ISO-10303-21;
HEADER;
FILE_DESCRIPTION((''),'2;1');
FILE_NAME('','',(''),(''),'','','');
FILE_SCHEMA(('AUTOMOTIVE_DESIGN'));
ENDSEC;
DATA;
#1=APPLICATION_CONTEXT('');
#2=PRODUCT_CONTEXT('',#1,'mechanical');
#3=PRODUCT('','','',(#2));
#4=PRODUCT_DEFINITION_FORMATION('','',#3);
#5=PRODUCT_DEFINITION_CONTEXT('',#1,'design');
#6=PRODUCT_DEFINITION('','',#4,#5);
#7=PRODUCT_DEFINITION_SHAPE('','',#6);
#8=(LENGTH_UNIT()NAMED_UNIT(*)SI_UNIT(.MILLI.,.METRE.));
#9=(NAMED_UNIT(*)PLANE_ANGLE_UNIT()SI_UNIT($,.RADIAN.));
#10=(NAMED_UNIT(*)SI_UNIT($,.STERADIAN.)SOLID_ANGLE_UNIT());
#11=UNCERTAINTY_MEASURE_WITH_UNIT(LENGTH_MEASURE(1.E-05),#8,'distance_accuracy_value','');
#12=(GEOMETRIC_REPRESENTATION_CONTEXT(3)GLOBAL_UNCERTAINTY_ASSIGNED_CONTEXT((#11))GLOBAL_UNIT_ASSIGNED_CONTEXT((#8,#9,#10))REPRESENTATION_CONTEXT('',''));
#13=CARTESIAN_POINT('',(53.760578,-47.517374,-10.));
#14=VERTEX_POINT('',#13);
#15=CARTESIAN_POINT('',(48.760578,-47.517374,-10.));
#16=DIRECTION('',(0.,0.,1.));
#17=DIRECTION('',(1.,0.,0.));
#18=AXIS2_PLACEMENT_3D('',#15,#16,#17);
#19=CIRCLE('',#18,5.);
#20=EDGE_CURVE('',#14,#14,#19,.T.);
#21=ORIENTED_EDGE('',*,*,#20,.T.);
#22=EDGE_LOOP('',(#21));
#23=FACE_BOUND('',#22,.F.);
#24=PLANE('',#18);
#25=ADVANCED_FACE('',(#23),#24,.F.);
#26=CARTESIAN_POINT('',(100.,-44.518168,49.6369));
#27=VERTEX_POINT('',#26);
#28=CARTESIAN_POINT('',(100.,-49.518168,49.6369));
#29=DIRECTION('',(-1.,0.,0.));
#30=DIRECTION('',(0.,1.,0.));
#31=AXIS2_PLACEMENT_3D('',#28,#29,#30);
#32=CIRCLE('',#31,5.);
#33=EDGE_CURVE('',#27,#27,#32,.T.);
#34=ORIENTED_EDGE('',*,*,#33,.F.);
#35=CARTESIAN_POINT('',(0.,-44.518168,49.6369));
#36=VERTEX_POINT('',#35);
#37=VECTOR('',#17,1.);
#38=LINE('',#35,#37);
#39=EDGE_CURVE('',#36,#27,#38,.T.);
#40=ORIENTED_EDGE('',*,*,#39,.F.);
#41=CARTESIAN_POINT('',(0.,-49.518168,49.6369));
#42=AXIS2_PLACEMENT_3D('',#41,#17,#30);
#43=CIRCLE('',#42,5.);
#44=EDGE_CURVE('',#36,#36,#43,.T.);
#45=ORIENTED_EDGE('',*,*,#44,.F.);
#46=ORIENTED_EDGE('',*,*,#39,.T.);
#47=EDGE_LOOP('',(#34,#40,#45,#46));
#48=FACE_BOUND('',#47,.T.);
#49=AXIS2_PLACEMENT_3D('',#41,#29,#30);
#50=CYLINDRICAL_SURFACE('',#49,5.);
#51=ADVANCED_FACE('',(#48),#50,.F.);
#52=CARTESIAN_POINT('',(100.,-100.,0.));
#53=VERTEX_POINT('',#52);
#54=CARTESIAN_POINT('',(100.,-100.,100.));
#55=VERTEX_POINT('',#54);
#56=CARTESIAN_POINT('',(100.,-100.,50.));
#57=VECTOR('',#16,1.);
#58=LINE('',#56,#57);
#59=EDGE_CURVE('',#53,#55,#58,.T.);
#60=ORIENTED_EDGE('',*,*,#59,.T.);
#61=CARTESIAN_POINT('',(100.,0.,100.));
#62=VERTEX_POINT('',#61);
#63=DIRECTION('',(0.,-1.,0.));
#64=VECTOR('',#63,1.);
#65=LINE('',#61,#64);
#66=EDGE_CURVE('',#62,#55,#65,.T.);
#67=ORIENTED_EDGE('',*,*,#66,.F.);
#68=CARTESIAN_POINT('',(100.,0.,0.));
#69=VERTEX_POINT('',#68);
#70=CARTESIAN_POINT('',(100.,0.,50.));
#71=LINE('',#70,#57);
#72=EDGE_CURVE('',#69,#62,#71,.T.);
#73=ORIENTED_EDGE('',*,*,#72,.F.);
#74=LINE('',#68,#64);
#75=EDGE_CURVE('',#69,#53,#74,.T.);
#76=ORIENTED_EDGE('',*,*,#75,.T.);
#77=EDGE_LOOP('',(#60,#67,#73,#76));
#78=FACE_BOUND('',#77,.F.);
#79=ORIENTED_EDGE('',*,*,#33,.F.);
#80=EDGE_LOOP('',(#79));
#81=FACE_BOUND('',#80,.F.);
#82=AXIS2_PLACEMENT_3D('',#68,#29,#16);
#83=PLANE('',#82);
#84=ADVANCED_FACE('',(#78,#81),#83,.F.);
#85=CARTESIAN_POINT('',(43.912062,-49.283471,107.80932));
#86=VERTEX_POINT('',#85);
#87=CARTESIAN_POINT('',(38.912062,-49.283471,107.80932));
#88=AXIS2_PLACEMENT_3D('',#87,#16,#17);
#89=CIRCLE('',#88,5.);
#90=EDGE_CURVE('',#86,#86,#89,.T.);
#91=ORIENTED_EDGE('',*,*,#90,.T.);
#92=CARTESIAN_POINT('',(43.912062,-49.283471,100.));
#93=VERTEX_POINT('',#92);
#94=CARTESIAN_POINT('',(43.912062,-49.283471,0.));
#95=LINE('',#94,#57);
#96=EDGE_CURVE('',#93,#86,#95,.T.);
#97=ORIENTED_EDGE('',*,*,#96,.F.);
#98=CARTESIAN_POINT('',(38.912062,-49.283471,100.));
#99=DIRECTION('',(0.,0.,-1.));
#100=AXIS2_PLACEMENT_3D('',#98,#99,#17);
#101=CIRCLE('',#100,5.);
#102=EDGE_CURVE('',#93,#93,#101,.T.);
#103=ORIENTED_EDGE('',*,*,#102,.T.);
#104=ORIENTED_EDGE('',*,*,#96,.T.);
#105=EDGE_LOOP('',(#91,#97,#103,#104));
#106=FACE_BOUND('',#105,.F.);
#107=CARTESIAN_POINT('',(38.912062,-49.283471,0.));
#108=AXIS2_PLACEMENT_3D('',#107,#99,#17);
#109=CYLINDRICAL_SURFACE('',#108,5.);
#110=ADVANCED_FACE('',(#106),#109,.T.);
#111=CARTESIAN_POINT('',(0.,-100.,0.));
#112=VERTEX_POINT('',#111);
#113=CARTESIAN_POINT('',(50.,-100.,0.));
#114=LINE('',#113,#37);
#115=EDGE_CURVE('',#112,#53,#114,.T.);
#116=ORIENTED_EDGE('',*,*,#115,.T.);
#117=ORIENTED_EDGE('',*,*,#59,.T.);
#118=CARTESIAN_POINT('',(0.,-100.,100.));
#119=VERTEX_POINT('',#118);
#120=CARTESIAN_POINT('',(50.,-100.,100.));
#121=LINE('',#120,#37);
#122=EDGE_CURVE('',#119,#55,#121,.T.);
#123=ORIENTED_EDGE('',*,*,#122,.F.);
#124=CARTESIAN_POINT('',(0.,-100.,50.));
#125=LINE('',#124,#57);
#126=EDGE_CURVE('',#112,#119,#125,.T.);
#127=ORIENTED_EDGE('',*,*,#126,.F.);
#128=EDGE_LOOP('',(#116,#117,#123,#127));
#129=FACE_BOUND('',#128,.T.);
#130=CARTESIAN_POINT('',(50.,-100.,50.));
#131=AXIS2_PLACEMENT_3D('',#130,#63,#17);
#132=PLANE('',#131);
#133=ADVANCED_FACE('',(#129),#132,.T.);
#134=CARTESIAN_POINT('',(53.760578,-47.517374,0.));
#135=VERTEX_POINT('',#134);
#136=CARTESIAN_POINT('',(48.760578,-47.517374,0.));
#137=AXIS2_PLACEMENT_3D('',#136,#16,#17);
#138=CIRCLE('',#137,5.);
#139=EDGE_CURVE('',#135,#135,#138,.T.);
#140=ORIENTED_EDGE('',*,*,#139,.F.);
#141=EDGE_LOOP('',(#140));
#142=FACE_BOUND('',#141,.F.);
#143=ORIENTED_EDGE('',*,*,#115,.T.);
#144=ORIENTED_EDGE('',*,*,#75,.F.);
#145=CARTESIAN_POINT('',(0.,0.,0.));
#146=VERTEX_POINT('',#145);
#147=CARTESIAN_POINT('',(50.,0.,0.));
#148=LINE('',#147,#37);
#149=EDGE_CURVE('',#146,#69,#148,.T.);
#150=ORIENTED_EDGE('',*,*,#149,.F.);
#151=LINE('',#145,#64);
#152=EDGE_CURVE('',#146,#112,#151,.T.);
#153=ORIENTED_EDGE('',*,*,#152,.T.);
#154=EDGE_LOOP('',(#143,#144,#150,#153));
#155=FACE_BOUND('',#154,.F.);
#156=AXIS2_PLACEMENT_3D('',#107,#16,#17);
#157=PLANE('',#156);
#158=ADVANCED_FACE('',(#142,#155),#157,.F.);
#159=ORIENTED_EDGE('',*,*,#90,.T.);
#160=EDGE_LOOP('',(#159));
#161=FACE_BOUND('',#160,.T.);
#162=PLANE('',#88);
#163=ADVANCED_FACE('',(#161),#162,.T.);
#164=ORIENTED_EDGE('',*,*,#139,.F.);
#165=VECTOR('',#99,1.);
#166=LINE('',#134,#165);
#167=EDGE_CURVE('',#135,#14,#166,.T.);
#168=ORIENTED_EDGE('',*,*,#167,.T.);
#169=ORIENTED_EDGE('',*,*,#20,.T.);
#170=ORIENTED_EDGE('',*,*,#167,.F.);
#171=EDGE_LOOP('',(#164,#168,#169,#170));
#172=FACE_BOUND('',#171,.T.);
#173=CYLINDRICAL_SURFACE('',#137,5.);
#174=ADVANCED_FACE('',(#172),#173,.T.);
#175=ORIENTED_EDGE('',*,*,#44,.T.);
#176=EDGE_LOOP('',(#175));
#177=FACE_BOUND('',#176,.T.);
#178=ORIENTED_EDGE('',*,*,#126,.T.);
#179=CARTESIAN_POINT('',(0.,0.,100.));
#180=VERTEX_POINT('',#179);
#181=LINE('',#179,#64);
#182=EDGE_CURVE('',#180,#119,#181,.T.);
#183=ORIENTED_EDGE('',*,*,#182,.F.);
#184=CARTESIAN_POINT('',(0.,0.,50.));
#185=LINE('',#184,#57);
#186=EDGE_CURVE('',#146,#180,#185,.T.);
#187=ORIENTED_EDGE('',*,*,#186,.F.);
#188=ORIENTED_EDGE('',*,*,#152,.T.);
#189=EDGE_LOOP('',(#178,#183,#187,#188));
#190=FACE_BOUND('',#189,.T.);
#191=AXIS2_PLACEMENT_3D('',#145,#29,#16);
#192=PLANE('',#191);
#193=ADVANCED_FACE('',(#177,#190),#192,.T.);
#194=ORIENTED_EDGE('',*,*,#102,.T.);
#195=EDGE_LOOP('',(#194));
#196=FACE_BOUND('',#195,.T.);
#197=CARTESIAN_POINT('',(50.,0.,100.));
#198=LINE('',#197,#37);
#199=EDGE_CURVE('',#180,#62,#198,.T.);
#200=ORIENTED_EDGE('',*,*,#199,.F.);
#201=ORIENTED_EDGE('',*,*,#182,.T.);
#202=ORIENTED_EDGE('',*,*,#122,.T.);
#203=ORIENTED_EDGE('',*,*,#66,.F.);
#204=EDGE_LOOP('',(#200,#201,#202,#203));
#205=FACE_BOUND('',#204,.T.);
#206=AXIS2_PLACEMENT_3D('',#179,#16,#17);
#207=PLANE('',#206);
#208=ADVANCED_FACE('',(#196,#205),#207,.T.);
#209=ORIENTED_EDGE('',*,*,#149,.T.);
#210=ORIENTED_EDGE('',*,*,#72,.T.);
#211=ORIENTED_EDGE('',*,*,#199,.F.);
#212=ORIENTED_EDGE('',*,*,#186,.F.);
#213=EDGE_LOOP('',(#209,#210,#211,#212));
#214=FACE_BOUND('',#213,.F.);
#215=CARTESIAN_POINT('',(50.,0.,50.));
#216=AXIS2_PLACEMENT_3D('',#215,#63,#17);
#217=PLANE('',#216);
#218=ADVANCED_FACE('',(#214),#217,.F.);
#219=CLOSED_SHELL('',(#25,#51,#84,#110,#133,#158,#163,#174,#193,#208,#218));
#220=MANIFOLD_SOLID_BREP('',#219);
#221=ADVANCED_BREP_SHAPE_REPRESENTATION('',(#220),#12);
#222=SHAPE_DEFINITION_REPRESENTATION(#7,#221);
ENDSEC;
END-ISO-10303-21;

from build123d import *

# Parameters (mm, degrees)
F0_W     = 100
F0_H     = 100
F1_DEPTH = 100
F2_R     = 5
F3_DEPTH = 10
F4_R     = 5
F5_DEPTH = 107.80932
F6_R     = 5
F7_DEPTH = 333.937347


with BuildPart() as f1:
    # F0 (on Front) → F1 (new body)
    with BuildSketch(Plane.XZ):
        with Locations((50, 50)):
            Rectangle(F0_W, F0_H)
    extrude(amount=F1_DEPTH)

    # F2 (on Top) → F3 (join)
    with BuildSketch(Plane.XY):
        with Locations((48.760578, -47.517374)):
            Circle(F2_R)
    extrude(amount=-F3_DEPTH)

    # F4 (on Top) → F5 (join)
    with BuildSketch(Plane.XY):
        with Locations((38.912062, -49.283471)):
            Circle(F4_R)
    extrude(amount=F5_DEPTH)

    # F6 (on Right) → F7 (cut)
    with BuildSketch(Plane.YZ):
        with Locations((-49.518168, 49.6369)):
            Circle(F6_R)
    extrude(amount=F7_DEPTH, mode=Mode.SUBTRACT)


solid = f1.part
